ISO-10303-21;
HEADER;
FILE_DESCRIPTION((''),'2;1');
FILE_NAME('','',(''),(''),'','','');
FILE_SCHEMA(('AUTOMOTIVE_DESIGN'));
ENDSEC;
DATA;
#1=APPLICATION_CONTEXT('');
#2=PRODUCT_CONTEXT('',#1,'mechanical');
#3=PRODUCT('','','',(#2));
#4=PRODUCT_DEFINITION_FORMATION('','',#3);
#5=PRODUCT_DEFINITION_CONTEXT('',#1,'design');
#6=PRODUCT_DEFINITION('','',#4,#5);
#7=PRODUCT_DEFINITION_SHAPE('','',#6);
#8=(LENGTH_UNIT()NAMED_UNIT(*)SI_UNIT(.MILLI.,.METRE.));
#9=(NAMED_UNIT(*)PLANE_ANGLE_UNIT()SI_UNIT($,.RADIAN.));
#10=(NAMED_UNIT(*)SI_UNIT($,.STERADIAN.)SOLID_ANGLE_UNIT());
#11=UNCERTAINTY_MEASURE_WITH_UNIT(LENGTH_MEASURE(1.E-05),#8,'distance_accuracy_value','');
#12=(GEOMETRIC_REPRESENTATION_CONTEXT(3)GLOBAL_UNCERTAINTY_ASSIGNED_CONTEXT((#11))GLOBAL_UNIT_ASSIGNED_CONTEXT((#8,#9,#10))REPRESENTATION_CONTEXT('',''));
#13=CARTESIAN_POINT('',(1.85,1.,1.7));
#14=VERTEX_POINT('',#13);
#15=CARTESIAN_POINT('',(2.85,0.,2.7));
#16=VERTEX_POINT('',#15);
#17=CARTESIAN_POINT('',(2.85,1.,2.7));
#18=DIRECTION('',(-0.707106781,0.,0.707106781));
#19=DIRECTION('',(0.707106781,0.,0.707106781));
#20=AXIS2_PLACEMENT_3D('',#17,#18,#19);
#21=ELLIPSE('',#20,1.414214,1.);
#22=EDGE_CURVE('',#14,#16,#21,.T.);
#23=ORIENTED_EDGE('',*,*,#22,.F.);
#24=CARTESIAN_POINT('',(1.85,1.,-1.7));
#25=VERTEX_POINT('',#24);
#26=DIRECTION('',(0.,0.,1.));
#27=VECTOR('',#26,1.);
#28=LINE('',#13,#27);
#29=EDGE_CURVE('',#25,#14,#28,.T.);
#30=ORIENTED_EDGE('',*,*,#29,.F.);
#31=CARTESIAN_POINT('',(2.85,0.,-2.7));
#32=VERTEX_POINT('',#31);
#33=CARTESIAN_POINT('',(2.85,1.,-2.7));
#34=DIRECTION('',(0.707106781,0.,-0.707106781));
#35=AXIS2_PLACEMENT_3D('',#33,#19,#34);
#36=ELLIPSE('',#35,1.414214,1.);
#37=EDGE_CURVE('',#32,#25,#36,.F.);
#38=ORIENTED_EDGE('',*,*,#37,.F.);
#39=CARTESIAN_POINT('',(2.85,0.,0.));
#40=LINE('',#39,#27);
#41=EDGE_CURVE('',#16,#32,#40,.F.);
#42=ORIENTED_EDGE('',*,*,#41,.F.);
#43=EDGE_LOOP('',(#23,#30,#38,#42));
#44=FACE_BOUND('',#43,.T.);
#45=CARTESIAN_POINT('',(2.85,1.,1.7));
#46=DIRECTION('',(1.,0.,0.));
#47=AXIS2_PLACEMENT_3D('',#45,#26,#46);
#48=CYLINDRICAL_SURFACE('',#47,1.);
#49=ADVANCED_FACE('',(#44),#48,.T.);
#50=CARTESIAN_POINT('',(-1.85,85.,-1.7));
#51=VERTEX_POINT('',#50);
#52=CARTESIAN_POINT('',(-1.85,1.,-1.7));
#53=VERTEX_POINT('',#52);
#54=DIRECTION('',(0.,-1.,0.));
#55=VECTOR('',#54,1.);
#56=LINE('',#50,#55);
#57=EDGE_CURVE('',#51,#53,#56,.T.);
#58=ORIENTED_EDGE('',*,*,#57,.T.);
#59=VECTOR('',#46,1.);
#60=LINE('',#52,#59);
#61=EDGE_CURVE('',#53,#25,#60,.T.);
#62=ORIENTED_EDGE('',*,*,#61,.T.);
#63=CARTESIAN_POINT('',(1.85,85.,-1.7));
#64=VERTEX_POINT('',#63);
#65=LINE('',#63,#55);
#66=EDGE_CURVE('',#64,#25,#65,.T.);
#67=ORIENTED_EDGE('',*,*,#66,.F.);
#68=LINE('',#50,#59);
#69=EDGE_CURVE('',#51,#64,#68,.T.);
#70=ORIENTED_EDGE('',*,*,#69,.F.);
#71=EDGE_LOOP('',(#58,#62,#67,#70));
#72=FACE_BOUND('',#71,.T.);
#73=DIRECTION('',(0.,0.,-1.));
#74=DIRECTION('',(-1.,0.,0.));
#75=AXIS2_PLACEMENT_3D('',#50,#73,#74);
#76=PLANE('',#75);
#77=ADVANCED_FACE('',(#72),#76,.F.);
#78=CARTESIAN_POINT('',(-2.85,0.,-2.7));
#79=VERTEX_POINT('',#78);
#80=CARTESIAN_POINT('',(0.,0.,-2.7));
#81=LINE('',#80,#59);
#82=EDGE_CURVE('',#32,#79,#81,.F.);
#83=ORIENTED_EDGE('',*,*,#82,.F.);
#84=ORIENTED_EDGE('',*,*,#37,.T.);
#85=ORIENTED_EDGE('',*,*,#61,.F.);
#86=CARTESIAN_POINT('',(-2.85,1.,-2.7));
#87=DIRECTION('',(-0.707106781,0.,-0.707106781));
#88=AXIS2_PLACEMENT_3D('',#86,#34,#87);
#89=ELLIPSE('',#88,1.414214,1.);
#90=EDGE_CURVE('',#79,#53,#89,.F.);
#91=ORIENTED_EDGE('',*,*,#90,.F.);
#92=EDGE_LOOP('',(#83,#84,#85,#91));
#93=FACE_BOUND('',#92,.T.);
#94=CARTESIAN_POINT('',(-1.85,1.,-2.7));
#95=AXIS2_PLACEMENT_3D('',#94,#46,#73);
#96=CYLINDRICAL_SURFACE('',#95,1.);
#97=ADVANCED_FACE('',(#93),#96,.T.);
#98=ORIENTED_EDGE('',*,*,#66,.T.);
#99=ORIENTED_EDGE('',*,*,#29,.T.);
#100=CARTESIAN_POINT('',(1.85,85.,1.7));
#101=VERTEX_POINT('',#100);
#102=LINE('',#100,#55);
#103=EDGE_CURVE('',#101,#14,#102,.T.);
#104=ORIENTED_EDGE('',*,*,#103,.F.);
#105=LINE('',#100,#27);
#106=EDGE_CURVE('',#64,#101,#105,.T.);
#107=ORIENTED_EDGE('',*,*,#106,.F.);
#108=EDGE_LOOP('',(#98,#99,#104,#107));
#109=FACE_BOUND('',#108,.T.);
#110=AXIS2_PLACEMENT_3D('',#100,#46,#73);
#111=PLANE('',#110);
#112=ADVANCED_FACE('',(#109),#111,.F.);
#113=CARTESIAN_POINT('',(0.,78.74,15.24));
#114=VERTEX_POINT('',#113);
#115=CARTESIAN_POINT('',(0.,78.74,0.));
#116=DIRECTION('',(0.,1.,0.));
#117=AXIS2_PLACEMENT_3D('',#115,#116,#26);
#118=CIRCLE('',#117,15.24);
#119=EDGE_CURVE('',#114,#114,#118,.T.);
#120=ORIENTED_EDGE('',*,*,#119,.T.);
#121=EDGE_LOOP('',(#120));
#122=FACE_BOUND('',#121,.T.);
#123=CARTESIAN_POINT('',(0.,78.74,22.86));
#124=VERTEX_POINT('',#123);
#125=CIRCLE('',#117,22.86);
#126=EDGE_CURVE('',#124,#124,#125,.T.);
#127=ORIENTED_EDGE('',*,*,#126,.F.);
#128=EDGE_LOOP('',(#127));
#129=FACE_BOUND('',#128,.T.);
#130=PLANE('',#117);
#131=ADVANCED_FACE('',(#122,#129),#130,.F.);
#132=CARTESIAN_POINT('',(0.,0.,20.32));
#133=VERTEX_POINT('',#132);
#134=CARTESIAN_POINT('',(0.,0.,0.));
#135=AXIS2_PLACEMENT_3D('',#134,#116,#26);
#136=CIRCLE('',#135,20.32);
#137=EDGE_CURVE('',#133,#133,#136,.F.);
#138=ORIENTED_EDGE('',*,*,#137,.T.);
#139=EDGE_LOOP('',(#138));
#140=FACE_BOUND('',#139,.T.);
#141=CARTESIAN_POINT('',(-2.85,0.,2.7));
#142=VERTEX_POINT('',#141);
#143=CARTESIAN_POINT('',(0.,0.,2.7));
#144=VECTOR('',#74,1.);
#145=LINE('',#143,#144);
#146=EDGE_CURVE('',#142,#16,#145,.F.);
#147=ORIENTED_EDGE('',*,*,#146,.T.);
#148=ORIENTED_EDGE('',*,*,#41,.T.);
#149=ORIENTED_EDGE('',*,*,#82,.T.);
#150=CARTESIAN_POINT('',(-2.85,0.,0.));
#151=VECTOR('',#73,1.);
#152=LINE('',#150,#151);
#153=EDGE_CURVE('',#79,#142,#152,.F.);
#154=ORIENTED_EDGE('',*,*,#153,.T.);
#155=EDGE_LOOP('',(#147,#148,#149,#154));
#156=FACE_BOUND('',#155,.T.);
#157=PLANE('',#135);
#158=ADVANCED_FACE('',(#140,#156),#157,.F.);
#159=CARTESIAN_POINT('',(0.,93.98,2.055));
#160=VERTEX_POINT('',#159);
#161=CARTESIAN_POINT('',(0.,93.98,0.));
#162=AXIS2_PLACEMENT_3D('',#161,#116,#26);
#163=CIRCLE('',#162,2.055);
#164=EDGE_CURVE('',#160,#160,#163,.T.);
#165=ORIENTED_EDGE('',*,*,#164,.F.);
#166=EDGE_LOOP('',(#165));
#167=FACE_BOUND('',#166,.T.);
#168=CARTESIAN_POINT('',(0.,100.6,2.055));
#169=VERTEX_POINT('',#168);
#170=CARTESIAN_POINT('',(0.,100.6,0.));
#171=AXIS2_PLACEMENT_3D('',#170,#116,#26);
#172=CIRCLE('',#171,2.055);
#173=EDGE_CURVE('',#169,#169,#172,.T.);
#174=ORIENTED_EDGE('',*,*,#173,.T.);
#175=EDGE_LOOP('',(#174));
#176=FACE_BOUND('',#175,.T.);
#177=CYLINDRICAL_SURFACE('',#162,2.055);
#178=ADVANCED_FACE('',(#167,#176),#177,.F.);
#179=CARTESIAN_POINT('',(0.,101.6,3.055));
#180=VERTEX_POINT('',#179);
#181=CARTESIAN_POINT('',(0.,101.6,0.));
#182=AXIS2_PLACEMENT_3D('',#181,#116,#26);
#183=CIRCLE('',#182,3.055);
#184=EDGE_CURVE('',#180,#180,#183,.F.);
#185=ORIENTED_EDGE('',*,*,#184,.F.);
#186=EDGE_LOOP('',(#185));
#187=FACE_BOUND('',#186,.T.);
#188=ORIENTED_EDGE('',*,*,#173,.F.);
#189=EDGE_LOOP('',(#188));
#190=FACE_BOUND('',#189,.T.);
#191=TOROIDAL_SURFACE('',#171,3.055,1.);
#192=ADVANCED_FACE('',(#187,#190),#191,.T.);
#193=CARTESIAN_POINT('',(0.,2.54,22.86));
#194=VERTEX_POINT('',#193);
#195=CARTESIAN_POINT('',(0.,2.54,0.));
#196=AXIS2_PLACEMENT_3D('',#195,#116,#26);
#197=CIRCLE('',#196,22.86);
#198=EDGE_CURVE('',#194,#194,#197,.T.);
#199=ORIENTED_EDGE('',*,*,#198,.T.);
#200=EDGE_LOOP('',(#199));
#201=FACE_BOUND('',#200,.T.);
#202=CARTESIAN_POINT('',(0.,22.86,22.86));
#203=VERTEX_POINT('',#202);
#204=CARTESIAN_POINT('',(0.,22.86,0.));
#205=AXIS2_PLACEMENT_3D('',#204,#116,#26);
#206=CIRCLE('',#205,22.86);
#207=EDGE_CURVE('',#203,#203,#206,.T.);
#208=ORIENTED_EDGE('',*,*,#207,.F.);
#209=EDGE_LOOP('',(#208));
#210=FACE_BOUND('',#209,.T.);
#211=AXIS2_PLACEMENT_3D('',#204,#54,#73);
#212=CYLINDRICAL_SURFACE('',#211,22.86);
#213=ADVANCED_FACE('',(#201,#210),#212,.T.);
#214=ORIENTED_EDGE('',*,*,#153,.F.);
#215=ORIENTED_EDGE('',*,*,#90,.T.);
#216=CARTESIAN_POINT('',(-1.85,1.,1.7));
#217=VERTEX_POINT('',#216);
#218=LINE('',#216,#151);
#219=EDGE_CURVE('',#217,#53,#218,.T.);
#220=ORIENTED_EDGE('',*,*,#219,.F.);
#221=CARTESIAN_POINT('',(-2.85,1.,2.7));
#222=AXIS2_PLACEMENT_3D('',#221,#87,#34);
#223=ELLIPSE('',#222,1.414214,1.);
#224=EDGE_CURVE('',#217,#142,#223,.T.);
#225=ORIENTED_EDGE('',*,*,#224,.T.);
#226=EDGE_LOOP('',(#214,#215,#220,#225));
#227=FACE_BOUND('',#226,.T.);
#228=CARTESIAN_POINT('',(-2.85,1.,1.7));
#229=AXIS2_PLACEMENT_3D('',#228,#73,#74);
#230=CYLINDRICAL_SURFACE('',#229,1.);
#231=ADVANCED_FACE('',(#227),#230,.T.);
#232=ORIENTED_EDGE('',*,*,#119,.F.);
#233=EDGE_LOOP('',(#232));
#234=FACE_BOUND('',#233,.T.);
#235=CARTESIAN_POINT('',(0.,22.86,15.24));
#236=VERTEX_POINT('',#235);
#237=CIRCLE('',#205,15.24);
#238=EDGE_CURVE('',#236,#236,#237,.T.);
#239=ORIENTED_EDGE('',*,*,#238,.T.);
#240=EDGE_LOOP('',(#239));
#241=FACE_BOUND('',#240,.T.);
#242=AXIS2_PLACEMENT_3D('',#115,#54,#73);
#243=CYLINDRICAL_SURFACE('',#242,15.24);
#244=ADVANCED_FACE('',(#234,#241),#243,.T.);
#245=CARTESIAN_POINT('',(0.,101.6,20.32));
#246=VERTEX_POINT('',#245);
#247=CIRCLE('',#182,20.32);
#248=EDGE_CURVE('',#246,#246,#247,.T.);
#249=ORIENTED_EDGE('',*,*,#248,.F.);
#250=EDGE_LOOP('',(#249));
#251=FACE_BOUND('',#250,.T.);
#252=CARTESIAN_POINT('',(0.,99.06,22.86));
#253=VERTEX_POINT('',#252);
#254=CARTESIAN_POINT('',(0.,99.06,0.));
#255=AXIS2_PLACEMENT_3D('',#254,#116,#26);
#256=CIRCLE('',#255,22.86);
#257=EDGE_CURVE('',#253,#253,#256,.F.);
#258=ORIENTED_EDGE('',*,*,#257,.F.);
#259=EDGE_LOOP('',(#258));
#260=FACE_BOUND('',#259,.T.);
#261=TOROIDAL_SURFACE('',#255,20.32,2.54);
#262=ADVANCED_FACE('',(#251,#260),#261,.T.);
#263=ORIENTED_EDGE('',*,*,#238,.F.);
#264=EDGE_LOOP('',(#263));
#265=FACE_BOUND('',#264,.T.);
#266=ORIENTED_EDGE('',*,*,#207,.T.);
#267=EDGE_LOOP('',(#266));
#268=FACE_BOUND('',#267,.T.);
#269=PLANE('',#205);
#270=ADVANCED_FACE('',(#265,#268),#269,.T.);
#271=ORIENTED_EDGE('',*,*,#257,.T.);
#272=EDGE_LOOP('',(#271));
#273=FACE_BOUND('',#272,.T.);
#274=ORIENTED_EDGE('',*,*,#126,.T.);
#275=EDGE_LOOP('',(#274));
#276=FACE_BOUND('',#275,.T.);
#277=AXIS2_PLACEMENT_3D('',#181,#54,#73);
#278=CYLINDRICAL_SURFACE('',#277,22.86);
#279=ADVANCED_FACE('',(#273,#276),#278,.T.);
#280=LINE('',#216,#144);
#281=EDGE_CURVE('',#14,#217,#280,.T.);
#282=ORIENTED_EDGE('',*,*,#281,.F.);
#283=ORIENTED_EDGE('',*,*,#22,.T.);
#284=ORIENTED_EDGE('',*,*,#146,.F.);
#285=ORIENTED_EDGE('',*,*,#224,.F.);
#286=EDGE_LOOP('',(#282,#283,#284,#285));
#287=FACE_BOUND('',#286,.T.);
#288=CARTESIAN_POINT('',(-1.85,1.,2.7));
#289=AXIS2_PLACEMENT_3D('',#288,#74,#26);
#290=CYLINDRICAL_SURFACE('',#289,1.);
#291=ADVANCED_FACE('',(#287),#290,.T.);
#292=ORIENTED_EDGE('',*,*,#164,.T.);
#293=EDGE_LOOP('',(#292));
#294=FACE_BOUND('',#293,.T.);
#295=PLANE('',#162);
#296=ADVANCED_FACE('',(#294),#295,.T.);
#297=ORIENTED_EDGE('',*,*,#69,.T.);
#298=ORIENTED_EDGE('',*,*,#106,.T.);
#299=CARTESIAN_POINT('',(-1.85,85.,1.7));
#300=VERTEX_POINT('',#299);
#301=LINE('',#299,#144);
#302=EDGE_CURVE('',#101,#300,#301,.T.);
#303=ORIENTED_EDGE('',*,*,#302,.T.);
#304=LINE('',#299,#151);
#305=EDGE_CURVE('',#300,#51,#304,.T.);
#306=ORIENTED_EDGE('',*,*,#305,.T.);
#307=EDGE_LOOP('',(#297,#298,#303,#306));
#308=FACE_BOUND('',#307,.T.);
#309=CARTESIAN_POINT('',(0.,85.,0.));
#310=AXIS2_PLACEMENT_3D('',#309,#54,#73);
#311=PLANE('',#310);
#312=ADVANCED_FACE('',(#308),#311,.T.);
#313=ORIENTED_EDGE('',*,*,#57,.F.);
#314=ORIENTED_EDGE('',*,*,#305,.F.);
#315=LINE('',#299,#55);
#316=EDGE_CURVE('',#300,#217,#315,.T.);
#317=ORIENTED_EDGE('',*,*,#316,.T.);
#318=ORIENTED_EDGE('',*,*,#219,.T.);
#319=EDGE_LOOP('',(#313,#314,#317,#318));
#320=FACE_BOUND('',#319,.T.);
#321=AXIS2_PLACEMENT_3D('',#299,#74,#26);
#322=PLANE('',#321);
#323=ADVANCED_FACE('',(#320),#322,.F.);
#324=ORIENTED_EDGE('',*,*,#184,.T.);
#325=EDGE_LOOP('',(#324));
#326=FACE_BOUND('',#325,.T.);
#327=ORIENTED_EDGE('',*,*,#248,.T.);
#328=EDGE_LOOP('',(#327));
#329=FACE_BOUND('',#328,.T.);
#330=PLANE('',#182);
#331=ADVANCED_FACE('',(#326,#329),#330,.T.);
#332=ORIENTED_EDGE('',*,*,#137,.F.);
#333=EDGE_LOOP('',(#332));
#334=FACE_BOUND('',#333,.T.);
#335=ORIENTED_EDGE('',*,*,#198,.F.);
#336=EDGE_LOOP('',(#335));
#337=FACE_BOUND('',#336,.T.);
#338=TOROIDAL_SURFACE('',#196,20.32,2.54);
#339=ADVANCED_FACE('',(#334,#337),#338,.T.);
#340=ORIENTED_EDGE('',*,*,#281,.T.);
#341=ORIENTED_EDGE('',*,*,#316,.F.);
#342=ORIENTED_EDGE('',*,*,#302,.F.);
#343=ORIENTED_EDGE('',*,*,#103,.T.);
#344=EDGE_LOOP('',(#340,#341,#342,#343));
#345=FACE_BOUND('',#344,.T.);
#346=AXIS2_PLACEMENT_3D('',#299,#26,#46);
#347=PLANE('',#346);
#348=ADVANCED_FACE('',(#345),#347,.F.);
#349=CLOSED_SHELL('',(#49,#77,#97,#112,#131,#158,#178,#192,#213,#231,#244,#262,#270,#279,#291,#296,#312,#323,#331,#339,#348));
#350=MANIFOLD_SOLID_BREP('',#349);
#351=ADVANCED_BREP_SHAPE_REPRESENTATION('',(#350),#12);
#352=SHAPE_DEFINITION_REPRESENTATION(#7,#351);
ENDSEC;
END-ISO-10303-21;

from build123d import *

# Parameters (mm, degrees)
SKETCH1_R           = 22.86
BOSS_EXTRUDE1_DEPTH = 22.86
SKETCH3_R           = 15.24
BOSS_EXTRUDE2_DEPTH = 55.88
SKETCH4_R           = 22.86
BOSS_EXTRUDE3_DEPTH = 22.86
FILLET3_R           = 2.54
SKETCH5_R           = 2.055
CUT_EXTRUDE1_DEPTH  = 7.62
SKETCH8_W           = 3.7
SKETCH8_H           = 3.4
CUT_EXTRUDE2_DEPTH  = 85
FILLET4_R           = 1


with BuildPart() as part:
    # Sketch1 → Boss-Extrude1 (new body)
    with BuildSketch(Plane(origin=(0, 0, 0), x_dir=(1, 0, 0), z_dir=(0, 1, 0))):
        Circle(SKETCH1_R)
    extrude(amount=BOSS_EXTRUDE1_DEPTH)

    # Sketch3 → Boss-Extrude2 (add)
    with BuildSketch(Plane(origin=(0, 22.86, 0), x_dir=(1, 0, 0), z_dir=(0, 1, 0))):
        Circle(SKETCH3_R)
    extrude(amount=BOSS_EXTRUDE2_DEPTH)

    # Sketch4 → Boss-Extrude3 (add)
    with BuildSketch(Plane(origin=(0, 78.74, 0), x_dir=(1, 0, 0), z_dir=(0, 1, 0))):
        Circle(SKETCH4_R)
    extrude(amount=BOSS_EXTRUDE3_DEPTH)

    # Fillet3
    fillet3_edges = [part.edges().sort_by_distance(p)[0] for p in [
        (-22.86, 101.6, 0),
        (-22.86, 0, 0),
    ]]
    fillet(fillet3_edges, radius=FILLET3_R)

    # Sketch5 → Cut-Extrude1 (cut)
    with BuildSketch(Plane(origin=(0, 101.6, 0), x_dir=(1, 0, 0), z_dir=(0, 1, 0))):
        Circle(SKETCH5_R)
    extrude(amount=-CUT_EXTRUDE1_DEPTH, mode=Mode.SUBTRACT)

    # Sketch8 → Cut-Extrude2 (cut)
    with BuildSketch(Plane.XZ):
        Rectangle(SKETCH8_W, SKETCH8_H)
    extrude(amount=-CUT_EXTRUDE2_DEPTH, mode=Mode.SUBTRACT)

    # Fillet4
    fillet4_edges = [part.edges().sort_by_distance(p)[0] for p in [
        (-2.055, 101.6, 0),
        (-1.85, 0, 0),
        (0, 0, -1.7),
        (1.85, 0, 0),
        (0, 0, 1.7),
    ]]
    fillet(fillet4_edges, radius=FILLET4_R)


solid = part.part
